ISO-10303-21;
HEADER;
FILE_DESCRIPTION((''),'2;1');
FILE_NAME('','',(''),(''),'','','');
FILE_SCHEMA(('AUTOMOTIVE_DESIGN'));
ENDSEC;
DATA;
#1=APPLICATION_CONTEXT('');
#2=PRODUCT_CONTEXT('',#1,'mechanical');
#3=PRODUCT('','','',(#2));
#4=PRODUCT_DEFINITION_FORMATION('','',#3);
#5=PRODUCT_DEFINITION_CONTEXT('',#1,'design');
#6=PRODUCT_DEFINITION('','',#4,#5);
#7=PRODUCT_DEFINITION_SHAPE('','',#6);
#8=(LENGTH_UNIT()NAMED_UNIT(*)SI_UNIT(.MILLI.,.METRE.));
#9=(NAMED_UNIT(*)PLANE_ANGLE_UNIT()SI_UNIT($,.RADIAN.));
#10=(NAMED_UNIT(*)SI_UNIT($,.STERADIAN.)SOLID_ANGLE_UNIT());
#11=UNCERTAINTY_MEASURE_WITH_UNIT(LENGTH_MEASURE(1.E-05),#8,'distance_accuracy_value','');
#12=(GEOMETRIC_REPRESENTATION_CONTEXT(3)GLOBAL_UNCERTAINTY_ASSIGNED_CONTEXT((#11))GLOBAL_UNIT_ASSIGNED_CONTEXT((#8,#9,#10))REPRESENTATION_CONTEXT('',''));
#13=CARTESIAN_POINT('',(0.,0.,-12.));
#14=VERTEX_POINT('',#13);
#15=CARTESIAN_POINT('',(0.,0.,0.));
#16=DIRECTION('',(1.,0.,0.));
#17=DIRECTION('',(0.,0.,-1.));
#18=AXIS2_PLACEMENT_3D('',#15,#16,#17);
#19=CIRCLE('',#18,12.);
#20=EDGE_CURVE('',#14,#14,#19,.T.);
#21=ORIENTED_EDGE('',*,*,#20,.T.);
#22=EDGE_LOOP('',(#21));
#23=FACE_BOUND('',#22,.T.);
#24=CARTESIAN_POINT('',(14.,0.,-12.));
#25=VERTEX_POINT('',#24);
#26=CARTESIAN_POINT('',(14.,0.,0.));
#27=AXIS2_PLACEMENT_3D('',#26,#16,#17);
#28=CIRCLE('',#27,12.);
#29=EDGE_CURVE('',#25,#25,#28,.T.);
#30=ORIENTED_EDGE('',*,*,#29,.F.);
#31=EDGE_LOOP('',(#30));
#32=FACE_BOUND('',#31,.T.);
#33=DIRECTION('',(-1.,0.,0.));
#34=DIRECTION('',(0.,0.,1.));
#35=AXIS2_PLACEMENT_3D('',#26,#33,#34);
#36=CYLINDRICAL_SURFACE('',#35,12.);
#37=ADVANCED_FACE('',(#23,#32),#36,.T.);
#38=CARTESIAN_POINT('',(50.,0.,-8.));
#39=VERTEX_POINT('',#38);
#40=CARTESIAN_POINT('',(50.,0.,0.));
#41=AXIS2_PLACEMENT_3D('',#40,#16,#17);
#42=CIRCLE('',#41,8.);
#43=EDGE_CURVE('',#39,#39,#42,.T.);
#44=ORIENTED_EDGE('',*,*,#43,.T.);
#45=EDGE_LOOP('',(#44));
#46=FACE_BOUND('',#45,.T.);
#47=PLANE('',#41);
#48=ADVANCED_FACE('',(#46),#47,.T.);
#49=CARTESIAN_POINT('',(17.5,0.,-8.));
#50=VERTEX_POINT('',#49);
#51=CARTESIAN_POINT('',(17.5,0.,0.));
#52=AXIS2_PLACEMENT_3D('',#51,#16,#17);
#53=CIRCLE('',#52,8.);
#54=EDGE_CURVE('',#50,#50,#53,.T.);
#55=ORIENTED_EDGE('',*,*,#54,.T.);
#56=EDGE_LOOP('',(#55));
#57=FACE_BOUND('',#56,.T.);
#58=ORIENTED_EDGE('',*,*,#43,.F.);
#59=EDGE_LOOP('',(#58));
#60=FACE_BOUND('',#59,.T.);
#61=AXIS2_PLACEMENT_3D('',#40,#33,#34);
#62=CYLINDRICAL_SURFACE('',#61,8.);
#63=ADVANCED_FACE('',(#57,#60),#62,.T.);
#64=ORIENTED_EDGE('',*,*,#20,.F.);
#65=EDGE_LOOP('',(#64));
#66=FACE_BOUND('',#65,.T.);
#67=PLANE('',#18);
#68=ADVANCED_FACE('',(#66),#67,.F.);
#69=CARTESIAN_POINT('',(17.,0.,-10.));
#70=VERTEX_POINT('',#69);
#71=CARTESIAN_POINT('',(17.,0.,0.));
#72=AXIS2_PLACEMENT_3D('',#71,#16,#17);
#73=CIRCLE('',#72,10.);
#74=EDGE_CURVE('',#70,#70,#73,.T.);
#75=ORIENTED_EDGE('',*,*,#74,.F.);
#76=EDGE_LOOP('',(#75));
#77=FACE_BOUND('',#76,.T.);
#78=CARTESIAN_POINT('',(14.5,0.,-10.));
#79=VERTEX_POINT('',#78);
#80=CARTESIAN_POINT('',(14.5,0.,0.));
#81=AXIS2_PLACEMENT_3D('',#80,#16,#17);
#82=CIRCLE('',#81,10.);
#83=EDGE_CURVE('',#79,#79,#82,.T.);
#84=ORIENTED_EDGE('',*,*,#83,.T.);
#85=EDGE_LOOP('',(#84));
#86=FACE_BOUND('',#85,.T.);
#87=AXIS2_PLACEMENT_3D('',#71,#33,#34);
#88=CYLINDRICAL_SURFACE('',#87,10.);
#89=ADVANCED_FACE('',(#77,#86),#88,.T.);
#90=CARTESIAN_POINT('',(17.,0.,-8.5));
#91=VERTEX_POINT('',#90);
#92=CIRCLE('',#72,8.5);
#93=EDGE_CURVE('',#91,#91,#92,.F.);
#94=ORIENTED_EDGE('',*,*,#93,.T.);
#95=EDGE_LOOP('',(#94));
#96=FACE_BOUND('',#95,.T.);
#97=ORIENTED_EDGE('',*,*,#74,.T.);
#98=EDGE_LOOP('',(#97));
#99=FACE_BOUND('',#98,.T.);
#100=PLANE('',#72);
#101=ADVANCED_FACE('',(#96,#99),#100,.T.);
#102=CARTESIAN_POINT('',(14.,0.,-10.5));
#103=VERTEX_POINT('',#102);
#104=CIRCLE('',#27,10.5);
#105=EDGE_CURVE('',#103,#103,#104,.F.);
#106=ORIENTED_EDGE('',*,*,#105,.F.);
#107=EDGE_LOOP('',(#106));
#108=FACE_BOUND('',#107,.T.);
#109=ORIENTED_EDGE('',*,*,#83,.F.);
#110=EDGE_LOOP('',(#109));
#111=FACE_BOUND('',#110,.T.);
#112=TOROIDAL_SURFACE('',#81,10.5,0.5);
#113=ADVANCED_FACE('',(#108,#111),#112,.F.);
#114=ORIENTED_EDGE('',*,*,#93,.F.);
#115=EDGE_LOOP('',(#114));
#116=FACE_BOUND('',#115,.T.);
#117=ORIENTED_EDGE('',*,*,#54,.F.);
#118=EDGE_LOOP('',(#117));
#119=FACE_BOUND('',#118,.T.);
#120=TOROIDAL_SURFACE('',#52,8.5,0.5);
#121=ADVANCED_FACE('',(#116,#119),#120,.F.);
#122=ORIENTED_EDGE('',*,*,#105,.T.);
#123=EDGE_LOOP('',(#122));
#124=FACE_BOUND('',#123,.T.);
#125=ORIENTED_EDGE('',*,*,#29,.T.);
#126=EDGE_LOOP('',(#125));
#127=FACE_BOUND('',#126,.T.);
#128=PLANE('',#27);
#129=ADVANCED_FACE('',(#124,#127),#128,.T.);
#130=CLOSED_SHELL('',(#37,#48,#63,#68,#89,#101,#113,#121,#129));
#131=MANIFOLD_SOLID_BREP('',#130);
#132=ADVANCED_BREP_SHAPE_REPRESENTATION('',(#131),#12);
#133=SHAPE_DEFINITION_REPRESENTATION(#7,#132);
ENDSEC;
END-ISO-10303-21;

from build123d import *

# Parameters (mm, degrees)
SKETCH1_R           = 12
BOSS_EXTRUDE1_DEPTH = 14
SKETCH2_R           = 10
BOSS_EXTRUDE2_DEPTH = 3
SKETCH3_R           = 8
BOSS_EXTRUDE3_DEPTH = 33
FILLET1_R           = 0.5


with BuildPart() as part:
    # Sketch1 → Boss-Extrude1 (new body)
    with BuildSketch(Plane(origin=(0, 0, 0), x_dir=(0, 0, -1), z_dir=(1, 0, 0))):
        Circle(SKETCH1_R)
    extrude(amount=BOSS_EXTRUDE1_DEPTH)

    # Sketch2 → Boss-Extrude2 (add)
    with BuildSketch(Plane(origin=(14, 0, 0), x_dir=(0, 0, -1), z_dir=(1, 0, 0))):
        Circle(SKETCH2_R)
    extrude(amount=BOSS_EXTRUDE2_DEPTH)

    # Sketch3 → Boss-Extrude3 (add)
    with BuildSketch(Plane(origin=(17, 0, 0), x_dir=(0, 0, -1), z_dir=(1, 0, 0))):
        Circle(SKETCH3_R)
    extrude(amount=BOSS_EXTRUDE3_DEPTH)

    # Fillet1
    fillet1_edges = [part.edges().sort_by_distance(p)[0] for p in [
        (17, 0, 8),
        (14, 0, 10),
    ]]
    fillet(fillet1_edges, radius=FILLET1_R)


solid = part.part
